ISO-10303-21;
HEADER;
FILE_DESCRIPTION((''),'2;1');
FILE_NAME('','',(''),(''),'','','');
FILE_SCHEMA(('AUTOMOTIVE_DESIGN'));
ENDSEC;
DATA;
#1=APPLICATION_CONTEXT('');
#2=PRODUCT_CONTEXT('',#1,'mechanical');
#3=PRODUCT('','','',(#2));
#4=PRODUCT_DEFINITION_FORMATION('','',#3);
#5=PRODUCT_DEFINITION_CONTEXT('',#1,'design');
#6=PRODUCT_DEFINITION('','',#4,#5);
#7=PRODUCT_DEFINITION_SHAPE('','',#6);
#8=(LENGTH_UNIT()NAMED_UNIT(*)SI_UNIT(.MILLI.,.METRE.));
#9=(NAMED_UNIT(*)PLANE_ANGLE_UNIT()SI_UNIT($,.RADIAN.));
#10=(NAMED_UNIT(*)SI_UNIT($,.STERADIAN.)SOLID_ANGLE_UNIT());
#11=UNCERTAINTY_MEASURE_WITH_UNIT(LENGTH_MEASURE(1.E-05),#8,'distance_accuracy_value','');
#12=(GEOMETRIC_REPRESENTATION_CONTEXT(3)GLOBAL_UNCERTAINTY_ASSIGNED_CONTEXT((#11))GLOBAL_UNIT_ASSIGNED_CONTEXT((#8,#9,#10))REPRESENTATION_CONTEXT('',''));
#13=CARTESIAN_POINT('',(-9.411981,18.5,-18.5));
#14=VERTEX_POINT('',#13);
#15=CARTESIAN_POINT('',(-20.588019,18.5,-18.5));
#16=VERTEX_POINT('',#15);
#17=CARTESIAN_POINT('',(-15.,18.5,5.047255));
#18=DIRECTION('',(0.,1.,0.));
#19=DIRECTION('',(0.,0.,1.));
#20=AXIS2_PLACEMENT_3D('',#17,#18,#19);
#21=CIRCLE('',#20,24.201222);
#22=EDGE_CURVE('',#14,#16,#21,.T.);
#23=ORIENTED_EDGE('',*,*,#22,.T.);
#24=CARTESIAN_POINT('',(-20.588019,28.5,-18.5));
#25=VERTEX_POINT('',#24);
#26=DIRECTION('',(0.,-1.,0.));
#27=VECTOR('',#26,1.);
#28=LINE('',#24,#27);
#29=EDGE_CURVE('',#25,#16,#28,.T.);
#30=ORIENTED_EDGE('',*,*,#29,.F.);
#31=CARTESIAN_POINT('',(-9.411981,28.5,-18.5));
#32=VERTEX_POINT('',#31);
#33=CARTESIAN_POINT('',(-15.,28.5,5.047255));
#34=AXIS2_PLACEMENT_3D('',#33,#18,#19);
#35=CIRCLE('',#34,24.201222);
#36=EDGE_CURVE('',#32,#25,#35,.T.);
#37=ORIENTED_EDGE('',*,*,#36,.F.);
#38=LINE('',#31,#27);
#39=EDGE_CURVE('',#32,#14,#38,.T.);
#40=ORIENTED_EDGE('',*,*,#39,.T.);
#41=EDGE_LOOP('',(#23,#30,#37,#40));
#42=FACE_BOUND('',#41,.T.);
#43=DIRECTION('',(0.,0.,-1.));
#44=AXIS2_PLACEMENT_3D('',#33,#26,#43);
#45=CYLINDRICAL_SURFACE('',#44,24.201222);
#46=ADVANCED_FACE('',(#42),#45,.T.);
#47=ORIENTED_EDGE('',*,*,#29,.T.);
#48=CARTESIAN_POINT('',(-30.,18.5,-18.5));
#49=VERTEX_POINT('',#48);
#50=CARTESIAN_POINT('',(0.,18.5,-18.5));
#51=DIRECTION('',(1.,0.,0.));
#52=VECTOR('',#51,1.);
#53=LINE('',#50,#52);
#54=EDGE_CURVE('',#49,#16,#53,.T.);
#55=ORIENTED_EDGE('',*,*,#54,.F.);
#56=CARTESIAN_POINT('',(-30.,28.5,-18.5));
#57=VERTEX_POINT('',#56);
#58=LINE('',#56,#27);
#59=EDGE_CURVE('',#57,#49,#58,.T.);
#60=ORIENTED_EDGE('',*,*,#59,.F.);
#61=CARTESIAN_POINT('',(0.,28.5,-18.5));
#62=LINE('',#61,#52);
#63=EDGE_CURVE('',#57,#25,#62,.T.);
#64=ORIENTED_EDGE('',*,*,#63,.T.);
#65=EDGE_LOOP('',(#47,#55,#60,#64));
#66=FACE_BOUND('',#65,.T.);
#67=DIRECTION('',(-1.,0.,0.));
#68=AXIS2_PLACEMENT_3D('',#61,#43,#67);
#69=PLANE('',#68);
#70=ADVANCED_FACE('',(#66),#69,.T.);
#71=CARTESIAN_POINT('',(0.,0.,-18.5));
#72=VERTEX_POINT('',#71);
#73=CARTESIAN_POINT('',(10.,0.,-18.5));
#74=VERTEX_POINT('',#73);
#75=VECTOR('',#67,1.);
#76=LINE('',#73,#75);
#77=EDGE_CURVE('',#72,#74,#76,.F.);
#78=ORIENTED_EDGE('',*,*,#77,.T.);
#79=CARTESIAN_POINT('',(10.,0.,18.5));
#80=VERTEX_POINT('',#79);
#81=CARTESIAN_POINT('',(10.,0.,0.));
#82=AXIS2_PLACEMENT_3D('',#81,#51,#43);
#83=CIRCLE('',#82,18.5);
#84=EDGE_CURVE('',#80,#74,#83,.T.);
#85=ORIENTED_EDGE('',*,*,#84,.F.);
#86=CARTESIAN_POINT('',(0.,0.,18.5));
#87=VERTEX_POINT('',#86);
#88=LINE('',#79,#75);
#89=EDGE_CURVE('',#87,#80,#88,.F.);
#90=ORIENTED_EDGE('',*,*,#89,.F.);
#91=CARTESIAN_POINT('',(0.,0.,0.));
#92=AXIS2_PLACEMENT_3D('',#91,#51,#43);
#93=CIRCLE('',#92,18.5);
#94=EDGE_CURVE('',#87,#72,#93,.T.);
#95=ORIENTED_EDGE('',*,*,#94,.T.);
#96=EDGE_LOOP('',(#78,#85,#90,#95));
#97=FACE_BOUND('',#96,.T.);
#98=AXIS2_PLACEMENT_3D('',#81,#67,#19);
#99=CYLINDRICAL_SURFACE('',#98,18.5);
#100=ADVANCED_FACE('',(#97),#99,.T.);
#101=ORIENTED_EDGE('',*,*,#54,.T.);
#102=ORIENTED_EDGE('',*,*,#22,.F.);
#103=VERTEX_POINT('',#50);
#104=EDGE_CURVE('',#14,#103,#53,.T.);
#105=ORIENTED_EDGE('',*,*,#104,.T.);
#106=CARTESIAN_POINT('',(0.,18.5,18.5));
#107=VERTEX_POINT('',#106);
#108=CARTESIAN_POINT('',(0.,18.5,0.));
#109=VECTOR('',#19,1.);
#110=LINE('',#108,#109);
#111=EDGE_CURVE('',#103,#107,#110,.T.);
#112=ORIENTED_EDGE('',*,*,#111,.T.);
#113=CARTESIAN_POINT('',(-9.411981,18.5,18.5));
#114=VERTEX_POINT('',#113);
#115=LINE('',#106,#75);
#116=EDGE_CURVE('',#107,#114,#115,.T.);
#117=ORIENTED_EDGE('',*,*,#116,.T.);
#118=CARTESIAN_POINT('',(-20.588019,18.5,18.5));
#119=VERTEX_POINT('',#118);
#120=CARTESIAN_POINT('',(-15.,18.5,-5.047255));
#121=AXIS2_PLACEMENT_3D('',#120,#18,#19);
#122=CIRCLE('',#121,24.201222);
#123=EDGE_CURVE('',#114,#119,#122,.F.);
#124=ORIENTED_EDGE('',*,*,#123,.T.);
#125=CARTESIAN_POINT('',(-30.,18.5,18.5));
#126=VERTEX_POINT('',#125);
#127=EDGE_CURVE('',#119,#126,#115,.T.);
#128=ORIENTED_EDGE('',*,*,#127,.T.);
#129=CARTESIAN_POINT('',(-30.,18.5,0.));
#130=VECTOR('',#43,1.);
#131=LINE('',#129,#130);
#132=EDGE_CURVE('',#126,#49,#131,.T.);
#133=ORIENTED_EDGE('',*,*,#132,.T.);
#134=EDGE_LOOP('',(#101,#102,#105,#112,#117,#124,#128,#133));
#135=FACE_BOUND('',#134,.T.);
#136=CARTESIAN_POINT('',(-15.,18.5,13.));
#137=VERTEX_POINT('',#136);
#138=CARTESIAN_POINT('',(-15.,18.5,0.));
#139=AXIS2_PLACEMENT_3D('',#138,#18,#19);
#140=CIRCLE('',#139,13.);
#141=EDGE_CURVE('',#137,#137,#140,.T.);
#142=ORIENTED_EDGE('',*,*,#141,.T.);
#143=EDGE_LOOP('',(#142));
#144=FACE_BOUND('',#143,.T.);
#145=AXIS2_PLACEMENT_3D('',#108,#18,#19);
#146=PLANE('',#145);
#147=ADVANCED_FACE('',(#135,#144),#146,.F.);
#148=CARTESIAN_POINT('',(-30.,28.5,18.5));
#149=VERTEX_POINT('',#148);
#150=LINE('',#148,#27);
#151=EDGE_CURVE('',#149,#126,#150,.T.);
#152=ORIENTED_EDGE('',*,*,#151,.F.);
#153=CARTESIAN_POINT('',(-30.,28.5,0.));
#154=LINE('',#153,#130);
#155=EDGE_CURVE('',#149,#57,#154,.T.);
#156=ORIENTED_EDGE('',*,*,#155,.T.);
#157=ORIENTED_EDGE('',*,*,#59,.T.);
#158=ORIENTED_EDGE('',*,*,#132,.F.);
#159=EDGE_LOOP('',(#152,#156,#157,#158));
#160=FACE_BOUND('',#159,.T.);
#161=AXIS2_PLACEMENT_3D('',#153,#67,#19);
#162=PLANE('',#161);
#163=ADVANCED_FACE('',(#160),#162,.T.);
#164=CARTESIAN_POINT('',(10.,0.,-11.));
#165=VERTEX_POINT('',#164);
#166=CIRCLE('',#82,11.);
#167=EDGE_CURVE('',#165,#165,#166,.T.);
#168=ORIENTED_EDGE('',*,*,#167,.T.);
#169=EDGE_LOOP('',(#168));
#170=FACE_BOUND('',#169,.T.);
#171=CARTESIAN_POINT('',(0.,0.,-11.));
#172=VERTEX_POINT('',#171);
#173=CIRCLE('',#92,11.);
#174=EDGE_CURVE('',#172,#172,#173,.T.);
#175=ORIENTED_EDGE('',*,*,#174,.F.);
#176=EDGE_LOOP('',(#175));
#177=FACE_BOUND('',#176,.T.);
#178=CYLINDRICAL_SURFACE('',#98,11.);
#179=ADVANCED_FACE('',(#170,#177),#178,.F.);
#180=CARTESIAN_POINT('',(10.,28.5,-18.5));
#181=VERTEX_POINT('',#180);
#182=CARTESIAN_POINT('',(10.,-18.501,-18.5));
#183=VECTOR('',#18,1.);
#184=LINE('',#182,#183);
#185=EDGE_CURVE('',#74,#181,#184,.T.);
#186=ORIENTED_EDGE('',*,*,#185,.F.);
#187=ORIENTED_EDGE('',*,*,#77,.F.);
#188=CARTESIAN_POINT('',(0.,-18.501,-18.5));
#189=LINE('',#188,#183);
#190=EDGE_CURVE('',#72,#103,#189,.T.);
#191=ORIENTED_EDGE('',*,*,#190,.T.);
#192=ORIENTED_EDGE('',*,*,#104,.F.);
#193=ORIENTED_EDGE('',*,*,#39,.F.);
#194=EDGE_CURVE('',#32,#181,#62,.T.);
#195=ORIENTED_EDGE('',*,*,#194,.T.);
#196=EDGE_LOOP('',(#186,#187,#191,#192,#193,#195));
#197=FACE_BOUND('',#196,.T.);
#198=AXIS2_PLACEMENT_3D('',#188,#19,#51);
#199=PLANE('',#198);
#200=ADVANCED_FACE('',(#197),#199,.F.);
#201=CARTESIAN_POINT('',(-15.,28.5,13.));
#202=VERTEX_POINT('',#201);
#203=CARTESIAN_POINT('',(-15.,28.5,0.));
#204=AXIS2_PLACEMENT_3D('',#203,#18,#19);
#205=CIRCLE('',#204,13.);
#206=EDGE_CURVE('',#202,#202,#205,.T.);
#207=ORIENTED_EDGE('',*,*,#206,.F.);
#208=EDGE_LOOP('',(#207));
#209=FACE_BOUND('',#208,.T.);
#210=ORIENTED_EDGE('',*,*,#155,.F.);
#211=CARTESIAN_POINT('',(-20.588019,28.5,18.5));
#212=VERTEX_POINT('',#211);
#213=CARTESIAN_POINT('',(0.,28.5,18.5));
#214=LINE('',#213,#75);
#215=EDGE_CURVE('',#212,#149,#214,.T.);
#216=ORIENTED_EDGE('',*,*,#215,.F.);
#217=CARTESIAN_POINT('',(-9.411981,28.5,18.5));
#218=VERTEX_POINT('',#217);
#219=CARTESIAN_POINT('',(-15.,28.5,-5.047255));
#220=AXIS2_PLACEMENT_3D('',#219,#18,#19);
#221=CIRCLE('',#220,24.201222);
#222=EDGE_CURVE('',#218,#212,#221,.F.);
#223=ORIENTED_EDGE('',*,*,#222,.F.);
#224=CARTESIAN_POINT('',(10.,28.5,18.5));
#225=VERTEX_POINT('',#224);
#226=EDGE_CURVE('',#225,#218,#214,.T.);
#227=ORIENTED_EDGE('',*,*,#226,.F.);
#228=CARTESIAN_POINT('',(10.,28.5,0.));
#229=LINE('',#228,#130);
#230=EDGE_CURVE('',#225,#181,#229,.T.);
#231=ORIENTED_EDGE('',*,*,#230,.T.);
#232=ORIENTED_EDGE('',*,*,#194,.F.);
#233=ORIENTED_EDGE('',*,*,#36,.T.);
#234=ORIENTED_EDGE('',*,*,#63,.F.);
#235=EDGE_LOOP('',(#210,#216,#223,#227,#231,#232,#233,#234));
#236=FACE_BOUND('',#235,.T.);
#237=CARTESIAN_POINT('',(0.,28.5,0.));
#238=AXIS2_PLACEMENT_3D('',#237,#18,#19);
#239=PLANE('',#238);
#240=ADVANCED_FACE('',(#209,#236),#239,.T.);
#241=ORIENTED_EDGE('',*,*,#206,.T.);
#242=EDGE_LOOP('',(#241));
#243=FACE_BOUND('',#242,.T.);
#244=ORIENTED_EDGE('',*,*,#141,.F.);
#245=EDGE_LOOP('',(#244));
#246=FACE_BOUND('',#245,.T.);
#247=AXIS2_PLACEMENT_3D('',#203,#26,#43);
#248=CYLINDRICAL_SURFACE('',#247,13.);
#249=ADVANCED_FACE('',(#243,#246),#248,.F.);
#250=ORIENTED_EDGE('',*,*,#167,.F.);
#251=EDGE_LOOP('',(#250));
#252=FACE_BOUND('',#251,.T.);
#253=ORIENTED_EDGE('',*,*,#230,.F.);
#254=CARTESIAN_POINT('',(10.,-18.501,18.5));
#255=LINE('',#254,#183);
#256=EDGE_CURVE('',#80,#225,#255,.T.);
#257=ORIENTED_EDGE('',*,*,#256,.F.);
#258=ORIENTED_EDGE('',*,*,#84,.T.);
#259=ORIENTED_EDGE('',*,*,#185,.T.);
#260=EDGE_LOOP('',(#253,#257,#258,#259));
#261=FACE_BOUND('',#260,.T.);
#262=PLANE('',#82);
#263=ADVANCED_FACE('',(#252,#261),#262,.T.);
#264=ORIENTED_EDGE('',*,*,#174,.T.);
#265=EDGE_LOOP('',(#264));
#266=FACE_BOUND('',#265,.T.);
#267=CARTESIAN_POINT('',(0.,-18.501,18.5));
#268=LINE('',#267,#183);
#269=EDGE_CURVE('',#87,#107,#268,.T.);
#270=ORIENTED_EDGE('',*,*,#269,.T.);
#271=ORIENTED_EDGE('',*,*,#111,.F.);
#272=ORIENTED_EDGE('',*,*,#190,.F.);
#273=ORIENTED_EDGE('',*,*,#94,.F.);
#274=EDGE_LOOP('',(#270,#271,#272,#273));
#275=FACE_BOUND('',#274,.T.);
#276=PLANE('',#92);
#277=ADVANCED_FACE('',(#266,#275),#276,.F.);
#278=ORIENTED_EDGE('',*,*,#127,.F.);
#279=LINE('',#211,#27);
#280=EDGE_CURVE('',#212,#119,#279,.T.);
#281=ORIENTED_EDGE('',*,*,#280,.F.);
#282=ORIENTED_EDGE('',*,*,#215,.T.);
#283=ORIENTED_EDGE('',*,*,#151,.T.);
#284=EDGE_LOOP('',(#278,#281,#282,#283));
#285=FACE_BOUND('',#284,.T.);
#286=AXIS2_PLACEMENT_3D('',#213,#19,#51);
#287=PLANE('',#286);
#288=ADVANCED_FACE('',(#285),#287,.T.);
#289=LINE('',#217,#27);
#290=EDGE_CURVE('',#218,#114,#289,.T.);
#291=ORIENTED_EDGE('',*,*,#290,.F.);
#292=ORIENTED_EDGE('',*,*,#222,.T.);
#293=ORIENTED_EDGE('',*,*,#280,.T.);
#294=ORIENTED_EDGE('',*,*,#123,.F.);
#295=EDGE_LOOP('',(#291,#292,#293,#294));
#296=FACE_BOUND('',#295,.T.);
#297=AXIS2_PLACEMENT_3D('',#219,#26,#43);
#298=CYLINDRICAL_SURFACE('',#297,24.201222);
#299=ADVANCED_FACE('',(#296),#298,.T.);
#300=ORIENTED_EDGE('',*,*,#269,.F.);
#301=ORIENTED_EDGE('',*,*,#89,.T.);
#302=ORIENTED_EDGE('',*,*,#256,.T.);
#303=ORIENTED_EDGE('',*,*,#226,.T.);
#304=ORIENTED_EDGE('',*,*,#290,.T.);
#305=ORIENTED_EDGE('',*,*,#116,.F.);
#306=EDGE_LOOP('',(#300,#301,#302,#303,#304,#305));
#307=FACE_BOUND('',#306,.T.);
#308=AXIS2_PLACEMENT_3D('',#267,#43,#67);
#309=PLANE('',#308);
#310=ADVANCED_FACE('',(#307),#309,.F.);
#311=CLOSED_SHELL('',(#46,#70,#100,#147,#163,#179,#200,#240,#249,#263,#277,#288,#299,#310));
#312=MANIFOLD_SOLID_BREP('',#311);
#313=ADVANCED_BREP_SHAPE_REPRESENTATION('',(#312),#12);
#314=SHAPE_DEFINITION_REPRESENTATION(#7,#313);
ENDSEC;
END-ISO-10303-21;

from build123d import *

# Parameters (mm, degrees)
SKETCH1_R           = 18.5
SKETCH1_R_2         = 11
BOSS_EXTRUDE1_DEPTH = 10
BOSS_EXTRUDE2_REACH = 44.559
SKETCH2_W           = 10
SKETCH2_H           = 37
SKETCH2_3_R         = 13
BOSS_EXTRUDE3_DEPTH = 10


with BuildPart() as part:
    # Sketch1 → Boss-Extrude1 (new body)
    with BuildSketch(Plane(origin=(0, 0, 0), x_dir=(0, 0, -1), z_dir=(1, 0, 0))):
        Circle(SKETCH1_R)
        Circle(SKETCH1_R_2, mode=Mode.SUBTRACT)
    extrude(amount=BOSS_EXTRUDE1_DEPTH)

    # Sketch2 → Boss-Extrude2 (add, up to next)
    with BuildSketch(Plane(origin=(0, 18.5, 0), x_dir=(1, 0, 0), z_dir=(0, 1, 0)), mode=Mode.PRIVATE) as boss_extrude2_sk1:
        with Locations((5, 0)):
            Rectangle(SKETCH2_W, SKETCH2_H)
    boss_extrude2_tool1 = extrude(boss_extrude2_sk1.sketch, amount=-BOSS_EXTRUDE2_REACH, mode=Mode.PRIVATE) - part.part
    add(boss_extrude2_tool1.solids().sort_by_distance((5, 18.5, 0))[0])
    add(boss_extrude2_tool1.solids().sort_by_distance((5, 18.5, 0))[1])

    # Sketch2<3> → Boss-Extrude3 (add)
    with BuildSketch(Plane(origin=(0, 18.5, 0), x_dir=(1, 0, 0), z_dir=(0, 1, 0))):
        with BuildLine():
            Line((10, -18.5), (10, 18.5))
            Line((10, 18.5), (-9.411981237, 18.5))
            ThreePointArc((-9.411981237, 18.5), (-15, 19.153967532), (-20.588018763, 18.5))
            Line((-20.588018763, 18.5), (-30, 18.5))
            Line((-30, 18.5), (-30, -18.5))
            Line((-30, -18.5), (-20.588018763, -18.5))
            ThreePointArc((-20.588018763, -18.5), (-15, -19.153967532), (-9.411981237, -18.5))
            Line((-9.411981237, -18.5), (10, -18.5))
        make_face()
        with Locations(Location((-15, 0, 0), (0, 0, 270))):
            Circle(SKETCH2_3_R, mode=Mode.SUBTRACT)
    extrude(amount=BOSS_EXTRUDE3_DEPTH)


solid = part.part
